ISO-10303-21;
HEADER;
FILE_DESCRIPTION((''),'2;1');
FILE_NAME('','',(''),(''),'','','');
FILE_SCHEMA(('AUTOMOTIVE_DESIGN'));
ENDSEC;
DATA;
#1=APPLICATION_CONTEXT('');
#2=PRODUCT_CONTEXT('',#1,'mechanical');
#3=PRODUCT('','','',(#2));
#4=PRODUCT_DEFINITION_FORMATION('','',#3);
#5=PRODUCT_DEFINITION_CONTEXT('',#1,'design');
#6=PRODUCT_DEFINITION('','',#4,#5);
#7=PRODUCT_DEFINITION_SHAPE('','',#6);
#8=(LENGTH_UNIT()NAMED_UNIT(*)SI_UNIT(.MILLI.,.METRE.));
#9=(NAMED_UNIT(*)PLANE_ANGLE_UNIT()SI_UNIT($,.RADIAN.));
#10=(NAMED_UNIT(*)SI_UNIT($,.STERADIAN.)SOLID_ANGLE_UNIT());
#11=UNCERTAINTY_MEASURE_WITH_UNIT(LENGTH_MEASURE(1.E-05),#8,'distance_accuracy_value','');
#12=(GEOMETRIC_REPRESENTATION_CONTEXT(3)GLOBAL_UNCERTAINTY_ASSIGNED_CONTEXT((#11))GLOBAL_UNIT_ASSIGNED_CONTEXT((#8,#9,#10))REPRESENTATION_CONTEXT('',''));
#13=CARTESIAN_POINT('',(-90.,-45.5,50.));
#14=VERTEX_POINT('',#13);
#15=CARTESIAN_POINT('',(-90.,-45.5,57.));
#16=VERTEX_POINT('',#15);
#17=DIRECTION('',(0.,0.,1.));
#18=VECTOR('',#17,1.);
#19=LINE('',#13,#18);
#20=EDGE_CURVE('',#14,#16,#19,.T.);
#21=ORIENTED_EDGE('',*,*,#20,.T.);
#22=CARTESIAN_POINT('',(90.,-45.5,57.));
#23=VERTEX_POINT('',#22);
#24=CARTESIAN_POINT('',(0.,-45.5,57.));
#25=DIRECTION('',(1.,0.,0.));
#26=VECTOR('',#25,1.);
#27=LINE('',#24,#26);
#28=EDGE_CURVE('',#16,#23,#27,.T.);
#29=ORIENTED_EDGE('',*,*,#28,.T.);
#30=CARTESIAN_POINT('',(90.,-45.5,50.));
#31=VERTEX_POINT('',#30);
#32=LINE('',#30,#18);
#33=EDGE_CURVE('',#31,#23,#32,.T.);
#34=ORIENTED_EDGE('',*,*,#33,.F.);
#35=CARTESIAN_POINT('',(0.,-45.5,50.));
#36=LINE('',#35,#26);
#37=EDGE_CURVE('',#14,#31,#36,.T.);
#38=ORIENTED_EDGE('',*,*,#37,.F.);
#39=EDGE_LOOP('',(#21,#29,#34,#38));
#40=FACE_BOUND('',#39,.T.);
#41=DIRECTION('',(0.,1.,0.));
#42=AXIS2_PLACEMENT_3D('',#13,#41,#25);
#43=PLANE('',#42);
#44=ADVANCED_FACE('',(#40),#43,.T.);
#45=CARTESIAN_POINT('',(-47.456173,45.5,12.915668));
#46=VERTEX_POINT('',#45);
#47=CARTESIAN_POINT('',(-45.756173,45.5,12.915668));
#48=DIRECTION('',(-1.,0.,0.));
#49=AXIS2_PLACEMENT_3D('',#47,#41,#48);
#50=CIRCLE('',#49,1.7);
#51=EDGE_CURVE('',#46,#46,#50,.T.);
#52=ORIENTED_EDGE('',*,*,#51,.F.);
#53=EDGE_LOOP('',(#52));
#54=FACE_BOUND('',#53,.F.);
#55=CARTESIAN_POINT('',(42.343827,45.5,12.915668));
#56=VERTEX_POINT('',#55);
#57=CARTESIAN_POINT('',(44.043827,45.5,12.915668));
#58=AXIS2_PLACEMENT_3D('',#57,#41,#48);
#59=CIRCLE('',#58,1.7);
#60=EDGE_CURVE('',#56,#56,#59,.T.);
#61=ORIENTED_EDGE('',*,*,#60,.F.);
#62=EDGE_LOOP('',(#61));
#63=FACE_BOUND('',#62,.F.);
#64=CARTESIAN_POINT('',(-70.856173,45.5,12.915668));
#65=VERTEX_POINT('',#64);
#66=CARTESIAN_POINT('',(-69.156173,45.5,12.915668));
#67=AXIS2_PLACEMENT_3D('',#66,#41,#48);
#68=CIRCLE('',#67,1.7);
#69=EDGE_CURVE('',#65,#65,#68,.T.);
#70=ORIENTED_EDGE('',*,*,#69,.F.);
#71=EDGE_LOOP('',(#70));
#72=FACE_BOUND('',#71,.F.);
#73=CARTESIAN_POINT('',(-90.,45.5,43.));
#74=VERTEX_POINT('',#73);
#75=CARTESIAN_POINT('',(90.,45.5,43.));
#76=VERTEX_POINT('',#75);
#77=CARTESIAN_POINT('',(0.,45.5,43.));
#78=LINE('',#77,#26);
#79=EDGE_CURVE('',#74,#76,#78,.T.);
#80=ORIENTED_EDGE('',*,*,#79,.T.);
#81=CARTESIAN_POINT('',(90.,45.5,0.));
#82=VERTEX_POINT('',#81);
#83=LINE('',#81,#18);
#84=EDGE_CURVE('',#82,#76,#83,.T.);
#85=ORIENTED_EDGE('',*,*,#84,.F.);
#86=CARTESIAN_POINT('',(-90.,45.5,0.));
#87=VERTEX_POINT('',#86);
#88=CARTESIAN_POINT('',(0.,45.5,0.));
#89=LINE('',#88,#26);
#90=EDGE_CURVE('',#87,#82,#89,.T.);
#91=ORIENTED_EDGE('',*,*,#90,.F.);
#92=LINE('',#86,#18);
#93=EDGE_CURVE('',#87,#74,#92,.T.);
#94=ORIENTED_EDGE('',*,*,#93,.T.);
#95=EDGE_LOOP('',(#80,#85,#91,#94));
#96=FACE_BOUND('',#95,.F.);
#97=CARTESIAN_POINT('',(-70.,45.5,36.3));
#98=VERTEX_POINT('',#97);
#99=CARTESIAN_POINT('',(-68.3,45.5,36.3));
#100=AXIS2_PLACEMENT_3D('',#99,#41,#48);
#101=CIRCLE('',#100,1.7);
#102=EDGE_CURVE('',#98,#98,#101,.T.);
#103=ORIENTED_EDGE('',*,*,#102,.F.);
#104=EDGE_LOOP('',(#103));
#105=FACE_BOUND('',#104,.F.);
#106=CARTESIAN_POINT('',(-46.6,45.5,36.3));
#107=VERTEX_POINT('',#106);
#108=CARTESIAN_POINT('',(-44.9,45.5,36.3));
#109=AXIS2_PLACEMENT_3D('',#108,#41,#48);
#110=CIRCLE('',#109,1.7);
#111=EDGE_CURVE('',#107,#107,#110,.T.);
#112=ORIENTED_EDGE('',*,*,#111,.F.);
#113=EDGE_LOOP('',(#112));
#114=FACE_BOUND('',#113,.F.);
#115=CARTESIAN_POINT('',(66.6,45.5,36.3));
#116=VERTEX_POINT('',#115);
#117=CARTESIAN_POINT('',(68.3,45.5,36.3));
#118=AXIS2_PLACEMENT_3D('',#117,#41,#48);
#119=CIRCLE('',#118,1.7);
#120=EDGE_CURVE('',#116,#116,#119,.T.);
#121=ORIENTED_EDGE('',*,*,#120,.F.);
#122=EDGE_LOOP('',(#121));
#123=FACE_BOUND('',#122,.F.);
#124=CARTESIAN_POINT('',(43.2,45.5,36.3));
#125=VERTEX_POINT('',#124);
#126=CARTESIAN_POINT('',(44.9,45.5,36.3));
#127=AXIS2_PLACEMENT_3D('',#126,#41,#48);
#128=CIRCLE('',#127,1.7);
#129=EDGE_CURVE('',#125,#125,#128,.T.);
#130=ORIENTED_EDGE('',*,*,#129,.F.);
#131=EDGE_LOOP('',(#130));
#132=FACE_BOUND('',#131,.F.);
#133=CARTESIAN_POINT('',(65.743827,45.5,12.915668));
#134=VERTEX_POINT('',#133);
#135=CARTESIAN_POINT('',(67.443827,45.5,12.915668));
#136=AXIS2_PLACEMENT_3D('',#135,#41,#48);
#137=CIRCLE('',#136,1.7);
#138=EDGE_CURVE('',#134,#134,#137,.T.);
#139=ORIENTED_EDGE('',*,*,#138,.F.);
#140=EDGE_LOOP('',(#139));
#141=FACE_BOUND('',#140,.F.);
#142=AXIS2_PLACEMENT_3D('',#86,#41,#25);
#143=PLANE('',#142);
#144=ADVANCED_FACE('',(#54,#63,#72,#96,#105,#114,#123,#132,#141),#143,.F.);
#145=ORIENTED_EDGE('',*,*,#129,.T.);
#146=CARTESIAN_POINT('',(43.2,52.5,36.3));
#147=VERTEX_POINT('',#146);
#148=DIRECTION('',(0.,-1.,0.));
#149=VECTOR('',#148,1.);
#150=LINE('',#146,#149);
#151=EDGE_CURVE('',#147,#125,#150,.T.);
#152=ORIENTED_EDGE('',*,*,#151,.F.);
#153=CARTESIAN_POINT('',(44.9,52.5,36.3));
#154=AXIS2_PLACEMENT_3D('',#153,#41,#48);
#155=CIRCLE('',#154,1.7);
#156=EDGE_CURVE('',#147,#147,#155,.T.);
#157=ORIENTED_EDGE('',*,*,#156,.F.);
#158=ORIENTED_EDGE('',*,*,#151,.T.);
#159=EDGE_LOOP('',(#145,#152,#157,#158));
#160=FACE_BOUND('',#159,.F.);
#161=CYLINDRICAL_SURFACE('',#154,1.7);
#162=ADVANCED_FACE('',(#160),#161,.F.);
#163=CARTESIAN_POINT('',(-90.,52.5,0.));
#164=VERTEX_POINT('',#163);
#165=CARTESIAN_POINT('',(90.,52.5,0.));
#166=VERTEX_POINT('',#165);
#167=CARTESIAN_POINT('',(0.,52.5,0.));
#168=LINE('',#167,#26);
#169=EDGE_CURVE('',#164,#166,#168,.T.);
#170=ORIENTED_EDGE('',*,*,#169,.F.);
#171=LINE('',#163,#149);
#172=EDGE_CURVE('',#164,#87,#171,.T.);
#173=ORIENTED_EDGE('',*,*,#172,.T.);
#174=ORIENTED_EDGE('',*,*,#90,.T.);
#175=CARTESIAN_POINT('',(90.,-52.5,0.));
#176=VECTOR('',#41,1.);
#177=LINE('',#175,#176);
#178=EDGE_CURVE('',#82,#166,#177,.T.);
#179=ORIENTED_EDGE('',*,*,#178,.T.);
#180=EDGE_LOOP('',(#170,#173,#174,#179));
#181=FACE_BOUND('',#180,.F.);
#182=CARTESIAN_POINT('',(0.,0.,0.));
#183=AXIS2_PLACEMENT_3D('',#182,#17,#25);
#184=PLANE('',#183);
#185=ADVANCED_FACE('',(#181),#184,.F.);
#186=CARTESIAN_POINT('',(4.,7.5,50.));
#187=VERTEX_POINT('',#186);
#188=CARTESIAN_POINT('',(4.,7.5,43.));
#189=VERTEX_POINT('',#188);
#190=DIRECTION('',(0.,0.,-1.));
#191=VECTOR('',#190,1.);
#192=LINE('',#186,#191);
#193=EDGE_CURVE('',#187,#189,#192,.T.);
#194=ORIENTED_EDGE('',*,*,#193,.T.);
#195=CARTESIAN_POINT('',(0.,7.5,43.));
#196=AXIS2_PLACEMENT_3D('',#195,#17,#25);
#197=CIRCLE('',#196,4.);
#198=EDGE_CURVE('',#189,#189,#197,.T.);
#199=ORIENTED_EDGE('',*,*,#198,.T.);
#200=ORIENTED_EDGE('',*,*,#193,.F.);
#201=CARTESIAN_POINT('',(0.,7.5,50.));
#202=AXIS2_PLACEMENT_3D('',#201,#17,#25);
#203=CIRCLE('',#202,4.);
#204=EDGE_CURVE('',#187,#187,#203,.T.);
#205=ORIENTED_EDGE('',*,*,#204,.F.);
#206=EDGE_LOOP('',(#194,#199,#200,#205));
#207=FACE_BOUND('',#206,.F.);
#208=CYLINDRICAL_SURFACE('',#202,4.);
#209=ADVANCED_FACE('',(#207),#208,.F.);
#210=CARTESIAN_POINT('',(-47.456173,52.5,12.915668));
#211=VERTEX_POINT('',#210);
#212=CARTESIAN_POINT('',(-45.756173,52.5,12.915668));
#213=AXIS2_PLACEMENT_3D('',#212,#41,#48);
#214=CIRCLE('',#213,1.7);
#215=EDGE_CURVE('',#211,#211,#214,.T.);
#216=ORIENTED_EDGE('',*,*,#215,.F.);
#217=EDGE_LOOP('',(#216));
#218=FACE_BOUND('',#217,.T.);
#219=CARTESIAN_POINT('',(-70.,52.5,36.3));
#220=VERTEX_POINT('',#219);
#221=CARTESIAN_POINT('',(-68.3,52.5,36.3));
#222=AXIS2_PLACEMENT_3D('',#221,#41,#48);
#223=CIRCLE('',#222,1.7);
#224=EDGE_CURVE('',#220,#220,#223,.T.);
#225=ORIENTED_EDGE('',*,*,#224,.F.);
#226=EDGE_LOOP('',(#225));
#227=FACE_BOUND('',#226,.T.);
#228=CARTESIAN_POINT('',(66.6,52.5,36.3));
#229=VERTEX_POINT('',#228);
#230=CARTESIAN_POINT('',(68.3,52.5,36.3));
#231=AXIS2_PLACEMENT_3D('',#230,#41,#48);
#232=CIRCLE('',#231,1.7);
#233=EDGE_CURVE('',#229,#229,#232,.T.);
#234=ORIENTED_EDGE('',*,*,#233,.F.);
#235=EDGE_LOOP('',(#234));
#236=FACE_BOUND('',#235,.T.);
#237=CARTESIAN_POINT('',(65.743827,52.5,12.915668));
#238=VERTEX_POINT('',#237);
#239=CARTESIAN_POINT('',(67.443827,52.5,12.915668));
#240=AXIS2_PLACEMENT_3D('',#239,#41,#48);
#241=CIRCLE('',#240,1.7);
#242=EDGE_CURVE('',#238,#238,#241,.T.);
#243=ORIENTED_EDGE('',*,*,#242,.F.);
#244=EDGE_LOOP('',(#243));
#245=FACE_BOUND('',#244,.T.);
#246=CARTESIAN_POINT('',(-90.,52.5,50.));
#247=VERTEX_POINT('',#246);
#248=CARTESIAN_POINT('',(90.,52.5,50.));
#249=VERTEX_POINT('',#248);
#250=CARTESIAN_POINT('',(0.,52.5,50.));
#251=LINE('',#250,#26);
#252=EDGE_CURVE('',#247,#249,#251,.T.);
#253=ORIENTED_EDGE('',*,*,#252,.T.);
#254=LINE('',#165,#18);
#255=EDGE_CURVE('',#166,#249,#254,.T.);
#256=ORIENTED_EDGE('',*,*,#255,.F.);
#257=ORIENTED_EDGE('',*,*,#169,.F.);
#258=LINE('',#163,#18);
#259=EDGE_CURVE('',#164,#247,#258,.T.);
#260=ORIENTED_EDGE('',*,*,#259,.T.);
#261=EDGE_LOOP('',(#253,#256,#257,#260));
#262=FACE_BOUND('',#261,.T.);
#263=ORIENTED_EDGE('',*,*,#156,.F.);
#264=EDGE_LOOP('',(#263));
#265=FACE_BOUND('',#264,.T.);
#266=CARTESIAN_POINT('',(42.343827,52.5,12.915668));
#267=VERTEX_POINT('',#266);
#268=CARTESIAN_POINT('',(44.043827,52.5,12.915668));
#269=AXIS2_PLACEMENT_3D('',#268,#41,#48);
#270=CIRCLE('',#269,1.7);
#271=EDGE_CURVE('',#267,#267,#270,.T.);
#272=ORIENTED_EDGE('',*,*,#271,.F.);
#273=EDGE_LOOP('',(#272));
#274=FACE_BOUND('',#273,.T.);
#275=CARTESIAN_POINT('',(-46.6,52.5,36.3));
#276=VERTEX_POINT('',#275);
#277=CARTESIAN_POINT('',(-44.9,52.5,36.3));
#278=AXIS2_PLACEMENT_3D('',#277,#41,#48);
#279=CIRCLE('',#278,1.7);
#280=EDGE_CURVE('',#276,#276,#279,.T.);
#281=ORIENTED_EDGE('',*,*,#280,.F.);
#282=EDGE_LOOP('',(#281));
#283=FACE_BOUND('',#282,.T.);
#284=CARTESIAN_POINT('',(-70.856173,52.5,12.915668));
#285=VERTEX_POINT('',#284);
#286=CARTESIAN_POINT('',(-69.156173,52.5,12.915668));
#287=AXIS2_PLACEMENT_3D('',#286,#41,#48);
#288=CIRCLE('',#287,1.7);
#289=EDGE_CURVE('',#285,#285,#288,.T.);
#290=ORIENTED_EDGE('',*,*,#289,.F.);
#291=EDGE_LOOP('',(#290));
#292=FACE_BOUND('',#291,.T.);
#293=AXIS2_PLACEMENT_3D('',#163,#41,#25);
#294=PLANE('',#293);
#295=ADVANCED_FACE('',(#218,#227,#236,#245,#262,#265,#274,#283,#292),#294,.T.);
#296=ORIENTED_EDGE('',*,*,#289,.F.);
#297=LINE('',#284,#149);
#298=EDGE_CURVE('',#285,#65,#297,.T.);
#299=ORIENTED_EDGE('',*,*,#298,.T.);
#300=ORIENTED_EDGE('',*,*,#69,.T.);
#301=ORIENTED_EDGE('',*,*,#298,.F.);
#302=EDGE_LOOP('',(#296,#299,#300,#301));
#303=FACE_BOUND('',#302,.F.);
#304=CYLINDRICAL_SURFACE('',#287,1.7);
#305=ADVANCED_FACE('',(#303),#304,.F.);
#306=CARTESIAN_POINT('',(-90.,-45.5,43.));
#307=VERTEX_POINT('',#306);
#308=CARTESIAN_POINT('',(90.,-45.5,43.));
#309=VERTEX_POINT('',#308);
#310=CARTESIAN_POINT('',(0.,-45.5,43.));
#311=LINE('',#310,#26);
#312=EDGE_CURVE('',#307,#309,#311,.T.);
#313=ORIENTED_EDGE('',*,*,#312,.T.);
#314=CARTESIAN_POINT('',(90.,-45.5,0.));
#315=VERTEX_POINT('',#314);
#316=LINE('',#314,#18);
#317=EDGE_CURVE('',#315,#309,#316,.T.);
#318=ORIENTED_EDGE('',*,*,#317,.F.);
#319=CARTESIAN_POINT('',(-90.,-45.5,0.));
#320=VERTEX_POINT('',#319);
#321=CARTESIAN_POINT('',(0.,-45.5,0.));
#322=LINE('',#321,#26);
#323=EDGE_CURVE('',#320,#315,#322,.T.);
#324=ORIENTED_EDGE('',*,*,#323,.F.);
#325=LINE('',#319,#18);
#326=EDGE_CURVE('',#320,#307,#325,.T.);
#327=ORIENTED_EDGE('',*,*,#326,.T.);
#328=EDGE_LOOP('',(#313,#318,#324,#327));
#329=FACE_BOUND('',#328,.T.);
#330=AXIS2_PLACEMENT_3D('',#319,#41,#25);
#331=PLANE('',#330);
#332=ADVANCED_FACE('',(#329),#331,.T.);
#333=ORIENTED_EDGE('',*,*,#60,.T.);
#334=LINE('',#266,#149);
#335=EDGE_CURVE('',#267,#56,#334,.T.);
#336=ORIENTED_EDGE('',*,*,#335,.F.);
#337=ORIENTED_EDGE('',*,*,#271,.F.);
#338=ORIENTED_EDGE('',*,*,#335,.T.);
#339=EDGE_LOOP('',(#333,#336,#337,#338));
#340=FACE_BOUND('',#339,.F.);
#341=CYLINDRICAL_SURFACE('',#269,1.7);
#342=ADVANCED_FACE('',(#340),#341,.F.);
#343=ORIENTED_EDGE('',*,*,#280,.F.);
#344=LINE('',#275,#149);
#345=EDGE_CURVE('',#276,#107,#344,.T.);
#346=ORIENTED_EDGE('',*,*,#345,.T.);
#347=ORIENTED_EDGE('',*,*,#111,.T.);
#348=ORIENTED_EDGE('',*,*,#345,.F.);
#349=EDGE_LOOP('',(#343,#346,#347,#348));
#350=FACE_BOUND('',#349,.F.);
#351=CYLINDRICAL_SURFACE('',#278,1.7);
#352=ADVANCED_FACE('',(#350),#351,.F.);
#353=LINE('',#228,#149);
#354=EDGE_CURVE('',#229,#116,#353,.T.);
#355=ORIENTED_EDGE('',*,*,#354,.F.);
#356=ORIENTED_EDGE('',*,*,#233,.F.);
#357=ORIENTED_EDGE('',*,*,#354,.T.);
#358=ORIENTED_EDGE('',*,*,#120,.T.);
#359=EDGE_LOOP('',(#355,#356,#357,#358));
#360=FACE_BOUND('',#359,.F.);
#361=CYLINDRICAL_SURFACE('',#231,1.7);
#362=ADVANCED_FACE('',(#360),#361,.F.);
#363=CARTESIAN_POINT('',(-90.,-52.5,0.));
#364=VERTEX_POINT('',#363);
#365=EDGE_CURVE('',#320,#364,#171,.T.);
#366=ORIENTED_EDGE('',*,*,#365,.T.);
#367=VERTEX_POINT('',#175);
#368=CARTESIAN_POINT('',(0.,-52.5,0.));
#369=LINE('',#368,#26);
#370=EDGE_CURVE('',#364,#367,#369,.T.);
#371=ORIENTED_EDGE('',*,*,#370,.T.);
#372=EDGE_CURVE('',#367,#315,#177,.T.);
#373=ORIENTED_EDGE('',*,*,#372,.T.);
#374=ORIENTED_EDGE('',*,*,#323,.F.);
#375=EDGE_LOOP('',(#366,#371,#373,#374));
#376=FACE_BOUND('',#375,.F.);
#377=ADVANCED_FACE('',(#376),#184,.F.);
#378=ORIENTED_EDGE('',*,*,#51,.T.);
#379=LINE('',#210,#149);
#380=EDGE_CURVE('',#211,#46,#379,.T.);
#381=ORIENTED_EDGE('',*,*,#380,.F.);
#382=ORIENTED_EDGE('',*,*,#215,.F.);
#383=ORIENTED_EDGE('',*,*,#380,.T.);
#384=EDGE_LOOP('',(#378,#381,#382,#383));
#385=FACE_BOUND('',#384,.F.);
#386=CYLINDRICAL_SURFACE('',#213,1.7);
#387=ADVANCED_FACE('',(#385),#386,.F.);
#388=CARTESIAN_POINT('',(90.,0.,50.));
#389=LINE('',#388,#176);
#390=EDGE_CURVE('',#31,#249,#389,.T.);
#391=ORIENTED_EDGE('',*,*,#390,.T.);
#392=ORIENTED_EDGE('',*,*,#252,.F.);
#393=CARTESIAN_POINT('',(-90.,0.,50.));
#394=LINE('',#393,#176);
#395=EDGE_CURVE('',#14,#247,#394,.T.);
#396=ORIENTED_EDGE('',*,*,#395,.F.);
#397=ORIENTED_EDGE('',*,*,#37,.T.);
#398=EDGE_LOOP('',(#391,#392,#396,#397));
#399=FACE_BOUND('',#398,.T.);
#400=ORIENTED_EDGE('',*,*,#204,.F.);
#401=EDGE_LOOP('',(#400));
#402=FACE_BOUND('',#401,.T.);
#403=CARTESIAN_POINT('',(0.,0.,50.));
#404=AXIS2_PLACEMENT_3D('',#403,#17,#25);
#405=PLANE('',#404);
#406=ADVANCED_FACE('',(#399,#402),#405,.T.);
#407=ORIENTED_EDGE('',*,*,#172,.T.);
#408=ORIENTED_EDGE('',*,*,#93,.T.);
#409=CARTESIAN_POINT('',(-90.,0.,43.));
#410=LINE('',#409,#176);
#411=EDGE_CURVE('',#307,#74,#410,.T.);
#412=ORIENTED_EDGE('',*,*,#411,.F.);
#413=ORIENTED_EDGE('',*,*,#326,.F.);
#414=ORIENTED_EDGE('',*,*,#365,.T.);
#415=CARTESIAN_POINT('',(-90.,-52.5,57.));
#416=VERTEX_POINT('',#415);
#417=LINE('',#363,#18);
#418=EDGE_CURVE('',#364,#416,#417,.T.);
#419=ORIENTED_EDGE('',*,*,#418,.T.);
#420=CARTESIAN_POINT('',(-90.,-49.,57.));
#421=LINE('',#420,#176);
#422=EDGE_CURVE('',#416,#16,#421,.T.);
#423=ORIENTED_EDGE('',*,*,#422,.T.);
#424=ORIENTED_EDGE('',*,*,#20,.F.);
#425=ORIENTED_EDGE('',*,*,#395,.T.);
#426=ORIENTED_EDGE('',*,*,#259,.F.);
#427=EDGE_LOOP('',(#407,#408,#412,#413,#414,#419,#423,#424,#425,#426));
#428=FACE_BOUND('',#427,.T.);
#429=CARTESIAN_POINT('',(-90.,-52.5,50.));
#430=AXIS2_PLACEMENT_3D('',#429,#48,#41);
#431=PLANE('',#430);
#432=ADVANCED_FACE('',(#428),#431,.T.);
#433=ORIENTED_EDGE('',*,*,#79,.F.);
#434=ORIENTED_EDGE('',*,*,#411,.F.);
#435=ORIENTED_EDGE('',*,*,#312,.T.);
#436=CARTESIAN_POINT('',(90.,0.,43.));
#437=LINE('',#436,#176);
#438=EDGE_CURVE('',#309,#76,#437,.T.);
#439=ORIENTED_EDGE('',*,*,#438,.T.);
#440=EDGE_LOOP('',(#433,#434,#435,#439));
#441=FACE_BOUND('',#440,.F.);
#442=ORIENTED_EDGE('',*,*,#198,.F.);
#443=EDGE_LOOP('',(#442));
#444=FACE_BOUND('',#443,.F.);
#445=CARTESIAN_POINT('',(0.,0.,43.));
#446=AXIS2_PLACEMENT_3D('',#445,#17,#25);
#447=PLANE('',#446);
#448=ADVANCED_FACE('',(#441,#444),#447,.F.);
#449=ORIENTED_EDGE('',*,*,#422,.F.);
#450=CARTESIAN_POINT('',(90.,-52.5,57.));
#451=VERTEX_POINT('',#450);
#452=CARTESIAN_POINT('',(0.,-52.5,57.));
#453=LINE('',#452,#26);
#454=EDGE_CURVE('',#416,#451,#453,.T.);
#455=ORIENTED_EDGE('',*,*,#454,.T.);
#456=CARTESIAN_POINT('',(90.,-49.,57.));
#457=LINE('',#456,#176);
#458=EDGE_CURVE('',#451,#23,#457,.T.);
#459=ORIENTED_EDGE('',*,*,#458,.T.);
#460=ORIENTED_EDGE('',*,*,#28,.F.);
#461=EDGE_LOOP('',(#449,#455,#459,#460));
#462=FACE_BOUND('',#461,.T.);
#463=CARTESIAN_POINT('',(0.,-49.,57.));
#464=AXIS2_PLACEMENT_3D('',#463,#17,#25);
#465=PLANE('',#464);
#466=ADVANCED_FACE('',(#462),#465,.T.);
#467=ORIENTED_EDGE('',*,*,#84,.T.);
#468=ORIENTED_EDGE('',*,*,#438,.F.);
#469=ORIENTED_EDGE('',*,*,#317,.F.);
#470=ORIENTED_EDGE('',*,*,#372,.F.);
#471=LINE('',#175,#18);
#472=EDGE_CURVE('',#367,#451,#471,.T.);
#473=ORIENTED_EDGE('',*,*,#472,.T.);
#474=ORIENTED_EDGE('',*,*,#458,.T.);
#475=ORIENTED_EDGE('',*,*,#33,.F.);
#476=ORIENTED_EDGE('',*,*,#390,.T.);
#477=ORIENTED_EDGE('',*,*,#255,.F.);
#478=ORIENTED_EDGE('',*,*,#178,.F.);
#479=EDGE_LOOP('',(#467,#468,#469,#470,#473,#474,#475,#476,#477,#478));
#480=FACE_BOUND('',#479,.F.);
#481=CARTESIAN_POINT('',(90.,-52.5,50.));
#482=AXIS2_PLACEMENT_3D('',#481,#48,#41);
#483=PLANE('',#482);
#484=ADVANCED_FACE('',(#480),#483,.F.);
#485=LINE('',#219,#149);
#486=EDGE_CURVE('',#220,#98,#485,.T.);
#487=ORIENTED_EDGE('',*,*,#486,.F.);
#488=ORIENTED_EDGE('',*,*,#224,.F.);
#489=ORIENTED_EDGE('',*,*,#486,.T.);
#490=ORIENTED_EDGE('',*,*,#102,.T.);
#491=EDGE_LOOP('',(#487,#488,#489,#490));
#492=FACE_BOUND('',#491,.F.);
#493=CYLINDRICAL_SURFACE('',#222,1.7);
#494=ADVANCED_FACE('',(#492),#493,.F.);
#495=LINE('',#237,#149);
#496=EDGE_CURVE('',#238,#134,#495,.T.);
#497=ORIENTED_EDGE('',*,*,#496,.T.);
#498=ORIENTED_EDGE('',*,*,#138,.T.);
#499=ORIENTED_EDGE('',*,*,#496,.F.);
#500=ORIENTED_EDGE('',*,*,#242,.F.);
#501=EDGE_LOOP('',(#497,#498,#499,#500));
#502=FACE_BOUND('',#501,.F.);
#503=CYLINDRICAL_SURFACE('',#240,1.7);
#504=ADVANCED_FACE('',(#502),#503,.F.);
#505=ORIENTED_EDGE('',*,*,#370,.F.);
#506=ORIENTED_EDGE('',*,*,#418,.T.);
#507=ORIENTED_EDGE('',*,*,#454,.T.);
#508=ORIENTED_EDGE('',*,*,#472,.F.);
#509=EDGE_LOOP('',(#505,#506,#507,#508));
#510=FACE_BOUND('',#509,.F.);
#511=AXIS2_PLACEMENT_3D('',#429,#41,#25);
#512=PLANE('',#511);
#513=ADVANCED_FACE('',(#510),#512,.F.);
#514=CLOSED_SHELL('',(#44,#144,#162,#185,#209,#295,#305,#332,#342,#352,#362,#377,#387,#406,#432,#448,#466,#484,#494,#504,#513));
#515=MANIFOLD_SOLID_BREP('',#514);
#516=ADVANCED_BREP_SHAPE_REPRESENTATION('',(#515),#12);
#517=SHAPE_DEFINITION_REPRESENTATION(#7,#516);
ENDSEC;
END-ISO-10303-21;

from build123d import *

# Parameters (mm, degrees)
F0_W          = 180
F0_H          = 105
F1_DEPTH      = 50
F2_W          = 180
F2_H          = 91
F3_DEPTH      = 1
F3_DEPTH_BACK = 43
F4_R          = 4
F5_DEPTH      = 50.001
F6_W          = 180
F6_H          = 7
F7_DEPTH      = 7
F8_R          = 1.7
F9_DEPTH      = 7


with BuildPart() as f1:
    # F0 (on Top) → F1 (new body)
    with BuildSketch(Plane.XY):
        Rectangle(F0_W, F0_H)
    extrude(amount=F1_DEPTH)

    # F2 (on face) → F3 (cut, two sides)
    with BuildSketch(Plane.XY) as f3_sk:
        Rectangle(F2_W, F2_H)
    extrude(amount=-F3_DEPTH, mode=Mode.SUBTRACT)
    extrude(f3_sk.sketch, amount=F3_DEPTH_BACK, mode=Mode.SUBTRACT)

    # F4 (on face) → F5 (cut, through all)
    with BuildSketch(Plane.XY.offset(50)):
        with Locations((0, 7.5)):
            Circle(F4_R)
    extrude(amount=-F5_DEPTH, mode=Mode.SUBTRACT)

    # F6 (on face) → F7 (join)
    with BuildSketch(Plane.XY.offset(50)):
        with Locations((0, -49)):
            Rectangle(F6_W, F6_H)
    extrude(amount=F7_DEPTH)

    # F8 (on face) → F9 (cut, through all)
    with BuildSketch(Plane(origin=(0, 52.5, 0), x_dir=(-1, 0, 0), z_dir=(0, 1, 0))):
        with Locations((-68.3, 36.3)):
            Circle(F8_R)
        with Locations((-67.4438270785, 12.9156683241)):
            Circle(F8_R)
        with Locations((-44.9, 36.3)):
            Circle(F8_R)
        with Locations((-44.0438270785, 12.9156683241)):
            Circle(F8_R)
        with Locations((44.9, 36.3)):
            Circle(F8_R)
        with Locations((45.7561729215, 12.9156683241)):
            Circle(F8_R)
        with Locations((68.3, 36.3)):
            Circle(F8_R)
        with Locations((69.1561729215, 12.9156683241)):
            Circle(F8_R)
    extrude(amount=-F9_DEPTH, mode=Mode.SUBTRACT)


solid = f1.part
